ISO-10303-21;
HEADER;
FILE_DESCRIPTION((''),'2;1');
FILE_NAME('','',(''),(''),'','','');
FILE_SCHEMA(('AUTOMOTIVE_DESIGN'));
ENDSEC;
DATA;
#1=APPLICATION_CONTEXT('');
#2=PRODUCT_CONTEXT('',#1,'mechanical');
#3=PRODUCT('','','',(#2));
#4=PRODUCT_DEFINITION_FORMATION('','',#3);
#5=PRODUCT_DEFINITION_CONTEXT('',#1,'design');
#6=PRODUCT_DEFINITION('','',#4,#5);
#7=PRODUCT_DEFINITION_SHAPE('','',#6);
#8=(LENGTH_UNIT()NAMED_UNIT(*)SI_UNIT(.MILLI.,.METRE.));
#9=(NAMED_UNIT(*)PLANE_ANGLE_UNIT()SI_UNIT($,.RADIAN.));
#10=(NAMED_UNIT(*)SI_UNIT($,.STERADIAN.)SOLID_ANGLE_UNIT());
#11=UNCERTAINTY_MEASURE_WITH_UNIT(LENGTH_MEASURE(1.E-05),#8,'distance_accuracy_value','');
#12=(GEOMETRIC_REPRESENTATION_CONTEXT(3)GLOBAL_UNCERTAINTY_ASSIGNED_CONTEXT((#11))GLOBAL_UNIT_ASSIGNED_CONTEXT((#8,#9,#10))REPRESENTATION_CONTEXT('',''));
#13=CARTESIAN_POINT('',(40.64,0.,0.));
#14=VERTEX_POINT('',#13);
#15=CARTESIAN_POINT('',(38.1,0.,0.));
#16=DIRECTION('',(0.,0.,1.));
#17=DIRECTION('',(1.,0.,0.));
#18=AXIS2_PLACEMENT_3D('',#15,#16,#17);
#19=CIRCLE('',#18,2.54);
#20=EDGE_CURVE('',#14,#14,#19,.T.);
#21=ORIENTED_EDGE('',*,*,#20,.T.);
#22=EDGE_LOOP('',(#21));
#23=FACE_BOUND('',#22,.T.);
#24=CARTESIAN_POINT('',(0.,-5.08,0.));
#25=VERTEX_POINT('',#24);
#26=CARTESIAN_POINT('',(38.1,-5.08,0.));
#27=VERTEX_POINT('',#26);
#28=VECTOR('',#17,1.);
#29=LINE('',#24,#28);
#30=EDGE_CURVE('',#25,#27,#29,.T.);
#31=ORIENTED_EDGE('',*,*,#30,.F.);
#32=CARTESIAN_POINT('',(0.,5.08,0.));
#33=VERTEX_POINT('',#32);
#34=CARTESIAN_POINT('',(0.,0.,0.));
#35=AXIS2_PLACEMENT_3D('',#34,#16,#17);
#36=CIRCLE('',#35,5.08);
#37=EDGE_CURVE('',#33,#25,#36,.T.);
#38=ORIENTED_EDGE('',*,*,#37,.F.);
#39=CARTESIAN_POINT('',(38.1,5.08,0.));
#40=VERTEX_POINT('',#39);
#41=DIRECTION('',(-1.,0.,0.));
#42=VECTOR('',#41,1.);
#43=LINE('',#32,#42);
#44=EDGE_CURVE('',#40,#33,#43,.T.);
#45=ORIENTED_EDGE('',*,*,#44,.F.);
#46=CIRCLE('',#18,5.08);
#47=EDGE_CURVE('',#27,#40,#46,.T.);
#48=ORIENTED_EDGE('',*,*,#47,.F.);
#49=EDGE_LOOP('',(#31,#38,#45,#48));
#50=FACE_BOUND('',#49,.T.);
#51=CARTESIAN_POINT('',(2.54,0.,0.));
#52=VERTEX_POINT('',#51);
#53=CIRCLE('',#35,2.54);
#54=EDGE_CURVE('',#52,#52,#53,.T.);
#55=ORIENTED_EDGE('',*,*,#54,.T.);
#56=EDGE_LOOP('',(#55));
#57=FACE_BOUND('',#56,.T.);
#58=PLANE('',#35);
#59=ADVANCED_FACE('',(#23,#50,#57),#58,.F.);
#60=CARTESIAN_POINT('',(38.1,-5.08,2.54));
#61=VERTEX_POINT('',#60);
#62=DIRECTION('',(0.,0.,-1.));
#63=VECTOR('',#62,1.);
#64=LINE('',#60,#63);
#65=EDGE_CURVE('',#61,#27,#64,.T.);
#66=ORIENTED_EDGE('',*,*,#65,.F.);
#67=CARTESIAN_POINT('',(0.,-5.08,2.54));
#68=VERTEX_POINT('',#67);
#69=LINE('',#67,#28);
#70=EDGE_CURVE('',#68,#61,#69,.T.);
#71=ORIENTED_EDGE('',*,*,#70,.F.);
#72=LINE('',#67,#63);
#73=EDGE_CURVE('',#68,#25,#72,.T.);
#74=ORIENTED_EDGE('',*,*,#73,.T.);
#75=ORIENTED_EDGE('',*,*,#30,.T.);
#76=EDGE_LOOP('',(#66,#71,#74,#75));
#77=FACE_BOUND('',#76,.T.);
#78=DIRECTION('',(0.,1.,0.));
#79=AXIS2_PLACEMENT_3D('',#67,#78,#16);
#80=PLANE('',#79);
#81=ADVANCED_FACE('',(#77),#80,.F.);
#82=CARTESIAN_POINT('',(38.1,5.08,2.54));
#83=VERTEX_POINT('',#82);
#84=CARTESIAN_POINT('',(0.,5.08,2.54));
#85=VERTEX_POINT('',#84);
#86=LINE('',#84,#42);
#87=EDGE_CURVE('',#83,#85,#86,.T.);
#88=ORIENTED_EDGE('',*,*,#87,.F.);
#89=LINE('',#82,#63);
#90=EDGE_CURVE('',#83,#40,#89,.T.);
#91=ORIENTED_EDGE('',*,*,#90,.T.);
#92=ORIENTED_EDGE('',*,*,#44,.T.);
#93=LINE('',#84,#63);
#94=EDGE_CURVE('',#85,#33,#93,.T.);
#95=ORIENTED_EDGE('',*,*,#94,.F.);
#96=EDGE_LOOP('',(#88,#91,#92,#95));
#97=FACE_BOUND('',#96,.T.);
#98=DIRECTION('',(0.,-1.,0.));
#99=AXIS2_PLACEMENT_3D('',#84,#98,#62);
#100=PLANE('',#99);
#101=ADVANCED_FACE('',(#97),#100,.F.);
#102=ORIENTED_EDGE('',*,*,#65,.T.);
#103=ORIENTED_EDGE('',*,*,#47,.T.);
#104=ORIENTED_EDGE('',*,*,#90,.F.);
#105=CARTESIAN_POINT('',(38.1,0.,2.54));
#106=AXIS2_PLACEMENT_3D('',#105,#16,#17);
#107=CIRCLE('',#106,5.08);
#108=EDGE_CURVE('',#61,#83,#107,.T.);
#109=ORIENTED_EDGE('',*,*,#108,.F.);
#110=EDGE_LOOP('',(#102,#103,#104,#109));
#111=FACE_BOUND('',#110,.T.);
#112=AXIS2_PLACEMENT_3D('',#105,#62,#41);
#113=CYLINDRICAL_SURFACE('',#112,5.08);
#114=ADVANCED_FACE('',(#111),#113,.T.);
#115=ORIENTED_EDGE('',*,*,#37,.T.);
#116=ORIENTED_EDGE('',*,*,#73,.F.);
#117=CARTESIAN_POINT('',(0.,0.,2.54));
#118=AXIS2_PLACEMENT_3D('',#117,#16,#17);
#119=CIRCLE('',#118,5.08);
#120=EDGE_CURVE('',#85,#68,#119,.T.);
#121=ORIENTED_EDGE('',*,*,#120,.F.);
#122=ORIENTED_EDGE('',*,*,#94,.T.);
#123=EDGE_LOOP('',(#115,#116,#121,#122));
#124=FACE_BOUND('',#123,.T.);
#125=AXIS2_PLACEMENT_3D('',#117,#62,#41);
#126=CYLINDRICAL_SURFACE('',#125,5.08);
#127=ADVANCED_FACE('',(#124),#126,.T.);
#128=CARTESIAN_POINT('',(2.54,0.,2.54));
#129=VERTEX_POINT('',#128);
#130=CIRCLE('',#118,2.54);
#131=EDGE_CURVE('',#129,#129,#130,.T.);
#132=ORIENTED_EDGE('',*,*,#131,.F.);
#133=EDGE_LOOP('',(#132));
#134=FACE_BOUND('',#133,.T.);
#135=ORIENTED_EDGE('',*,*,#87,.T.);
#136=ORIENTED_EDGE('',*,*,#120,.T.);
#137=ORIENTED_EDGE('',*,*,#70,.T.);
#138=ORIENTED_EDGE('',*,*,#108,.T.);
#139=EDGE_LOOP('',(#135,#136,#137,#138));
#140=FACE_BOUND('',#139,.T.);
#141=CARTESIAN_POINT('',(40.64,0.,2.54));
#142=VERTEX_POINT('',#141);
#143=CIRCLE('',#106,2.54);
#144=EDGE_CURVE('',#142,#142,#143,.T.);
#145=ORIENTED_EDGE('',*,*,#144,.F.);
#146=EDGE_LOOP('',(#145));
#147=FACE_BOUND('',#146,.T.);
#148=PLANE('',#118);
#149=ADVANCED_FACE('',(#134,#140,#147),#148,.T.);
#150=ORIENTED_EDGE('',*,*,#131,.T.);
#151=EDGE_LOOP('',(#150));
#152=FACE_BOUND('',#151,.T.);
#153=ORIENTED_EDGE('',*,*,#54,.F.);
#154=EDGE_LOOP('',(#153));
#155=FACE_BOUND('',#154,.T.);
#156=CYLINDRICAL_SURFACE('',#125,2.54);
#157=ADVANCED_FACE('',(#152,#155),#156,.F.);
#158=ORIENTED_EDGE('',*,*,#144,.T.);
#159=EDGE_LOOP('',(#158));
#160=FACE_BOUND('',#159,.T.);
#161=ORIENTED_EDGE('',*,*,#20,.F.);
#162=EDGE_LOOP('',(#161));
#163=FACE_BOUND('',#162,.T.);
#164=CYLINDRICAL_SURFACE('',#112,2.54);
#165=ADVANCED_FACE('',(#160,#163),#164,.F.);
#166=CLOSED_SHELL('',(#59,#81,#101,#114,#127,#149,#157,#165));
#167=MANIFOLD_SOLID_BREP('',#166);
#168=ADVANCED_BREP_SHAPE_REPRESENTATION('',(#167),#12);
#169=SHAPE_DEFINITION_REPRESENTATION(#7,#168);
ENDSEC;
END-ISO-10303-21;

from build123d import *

# Parameters (mm, degrees)
SKETCH1_R           = 2.54
BOSS_EXTRUDE1_DEPTH = 2.54


with BuildPart() as part:
    # Sketch1 → Boss-Extrude1 (new body)
    with BuildSketch(Plane.XY):
        with BuildLine():
            Line((0, 5.08), (38.1, 5.08))
            ThreePointArc((38.1, 5.08), (43.18, 0), (38.1, -5.08))
            Line((38.1, -5.08), (0, -5.08))
            ThreePointArc((0, -5.08), (-5.08, 0), (0, 5.08))
        make_face()
        Circle(SKETCH1_R, mode=Mode.SUBTRACT)
        with Locations((38.1, 0)):
            Circle(SKETCH1_R, mode=Mode.SUBTRACT)
    extrude(amount=BOSS_EXTRUDE1_DEPTH)


solid = part.part
